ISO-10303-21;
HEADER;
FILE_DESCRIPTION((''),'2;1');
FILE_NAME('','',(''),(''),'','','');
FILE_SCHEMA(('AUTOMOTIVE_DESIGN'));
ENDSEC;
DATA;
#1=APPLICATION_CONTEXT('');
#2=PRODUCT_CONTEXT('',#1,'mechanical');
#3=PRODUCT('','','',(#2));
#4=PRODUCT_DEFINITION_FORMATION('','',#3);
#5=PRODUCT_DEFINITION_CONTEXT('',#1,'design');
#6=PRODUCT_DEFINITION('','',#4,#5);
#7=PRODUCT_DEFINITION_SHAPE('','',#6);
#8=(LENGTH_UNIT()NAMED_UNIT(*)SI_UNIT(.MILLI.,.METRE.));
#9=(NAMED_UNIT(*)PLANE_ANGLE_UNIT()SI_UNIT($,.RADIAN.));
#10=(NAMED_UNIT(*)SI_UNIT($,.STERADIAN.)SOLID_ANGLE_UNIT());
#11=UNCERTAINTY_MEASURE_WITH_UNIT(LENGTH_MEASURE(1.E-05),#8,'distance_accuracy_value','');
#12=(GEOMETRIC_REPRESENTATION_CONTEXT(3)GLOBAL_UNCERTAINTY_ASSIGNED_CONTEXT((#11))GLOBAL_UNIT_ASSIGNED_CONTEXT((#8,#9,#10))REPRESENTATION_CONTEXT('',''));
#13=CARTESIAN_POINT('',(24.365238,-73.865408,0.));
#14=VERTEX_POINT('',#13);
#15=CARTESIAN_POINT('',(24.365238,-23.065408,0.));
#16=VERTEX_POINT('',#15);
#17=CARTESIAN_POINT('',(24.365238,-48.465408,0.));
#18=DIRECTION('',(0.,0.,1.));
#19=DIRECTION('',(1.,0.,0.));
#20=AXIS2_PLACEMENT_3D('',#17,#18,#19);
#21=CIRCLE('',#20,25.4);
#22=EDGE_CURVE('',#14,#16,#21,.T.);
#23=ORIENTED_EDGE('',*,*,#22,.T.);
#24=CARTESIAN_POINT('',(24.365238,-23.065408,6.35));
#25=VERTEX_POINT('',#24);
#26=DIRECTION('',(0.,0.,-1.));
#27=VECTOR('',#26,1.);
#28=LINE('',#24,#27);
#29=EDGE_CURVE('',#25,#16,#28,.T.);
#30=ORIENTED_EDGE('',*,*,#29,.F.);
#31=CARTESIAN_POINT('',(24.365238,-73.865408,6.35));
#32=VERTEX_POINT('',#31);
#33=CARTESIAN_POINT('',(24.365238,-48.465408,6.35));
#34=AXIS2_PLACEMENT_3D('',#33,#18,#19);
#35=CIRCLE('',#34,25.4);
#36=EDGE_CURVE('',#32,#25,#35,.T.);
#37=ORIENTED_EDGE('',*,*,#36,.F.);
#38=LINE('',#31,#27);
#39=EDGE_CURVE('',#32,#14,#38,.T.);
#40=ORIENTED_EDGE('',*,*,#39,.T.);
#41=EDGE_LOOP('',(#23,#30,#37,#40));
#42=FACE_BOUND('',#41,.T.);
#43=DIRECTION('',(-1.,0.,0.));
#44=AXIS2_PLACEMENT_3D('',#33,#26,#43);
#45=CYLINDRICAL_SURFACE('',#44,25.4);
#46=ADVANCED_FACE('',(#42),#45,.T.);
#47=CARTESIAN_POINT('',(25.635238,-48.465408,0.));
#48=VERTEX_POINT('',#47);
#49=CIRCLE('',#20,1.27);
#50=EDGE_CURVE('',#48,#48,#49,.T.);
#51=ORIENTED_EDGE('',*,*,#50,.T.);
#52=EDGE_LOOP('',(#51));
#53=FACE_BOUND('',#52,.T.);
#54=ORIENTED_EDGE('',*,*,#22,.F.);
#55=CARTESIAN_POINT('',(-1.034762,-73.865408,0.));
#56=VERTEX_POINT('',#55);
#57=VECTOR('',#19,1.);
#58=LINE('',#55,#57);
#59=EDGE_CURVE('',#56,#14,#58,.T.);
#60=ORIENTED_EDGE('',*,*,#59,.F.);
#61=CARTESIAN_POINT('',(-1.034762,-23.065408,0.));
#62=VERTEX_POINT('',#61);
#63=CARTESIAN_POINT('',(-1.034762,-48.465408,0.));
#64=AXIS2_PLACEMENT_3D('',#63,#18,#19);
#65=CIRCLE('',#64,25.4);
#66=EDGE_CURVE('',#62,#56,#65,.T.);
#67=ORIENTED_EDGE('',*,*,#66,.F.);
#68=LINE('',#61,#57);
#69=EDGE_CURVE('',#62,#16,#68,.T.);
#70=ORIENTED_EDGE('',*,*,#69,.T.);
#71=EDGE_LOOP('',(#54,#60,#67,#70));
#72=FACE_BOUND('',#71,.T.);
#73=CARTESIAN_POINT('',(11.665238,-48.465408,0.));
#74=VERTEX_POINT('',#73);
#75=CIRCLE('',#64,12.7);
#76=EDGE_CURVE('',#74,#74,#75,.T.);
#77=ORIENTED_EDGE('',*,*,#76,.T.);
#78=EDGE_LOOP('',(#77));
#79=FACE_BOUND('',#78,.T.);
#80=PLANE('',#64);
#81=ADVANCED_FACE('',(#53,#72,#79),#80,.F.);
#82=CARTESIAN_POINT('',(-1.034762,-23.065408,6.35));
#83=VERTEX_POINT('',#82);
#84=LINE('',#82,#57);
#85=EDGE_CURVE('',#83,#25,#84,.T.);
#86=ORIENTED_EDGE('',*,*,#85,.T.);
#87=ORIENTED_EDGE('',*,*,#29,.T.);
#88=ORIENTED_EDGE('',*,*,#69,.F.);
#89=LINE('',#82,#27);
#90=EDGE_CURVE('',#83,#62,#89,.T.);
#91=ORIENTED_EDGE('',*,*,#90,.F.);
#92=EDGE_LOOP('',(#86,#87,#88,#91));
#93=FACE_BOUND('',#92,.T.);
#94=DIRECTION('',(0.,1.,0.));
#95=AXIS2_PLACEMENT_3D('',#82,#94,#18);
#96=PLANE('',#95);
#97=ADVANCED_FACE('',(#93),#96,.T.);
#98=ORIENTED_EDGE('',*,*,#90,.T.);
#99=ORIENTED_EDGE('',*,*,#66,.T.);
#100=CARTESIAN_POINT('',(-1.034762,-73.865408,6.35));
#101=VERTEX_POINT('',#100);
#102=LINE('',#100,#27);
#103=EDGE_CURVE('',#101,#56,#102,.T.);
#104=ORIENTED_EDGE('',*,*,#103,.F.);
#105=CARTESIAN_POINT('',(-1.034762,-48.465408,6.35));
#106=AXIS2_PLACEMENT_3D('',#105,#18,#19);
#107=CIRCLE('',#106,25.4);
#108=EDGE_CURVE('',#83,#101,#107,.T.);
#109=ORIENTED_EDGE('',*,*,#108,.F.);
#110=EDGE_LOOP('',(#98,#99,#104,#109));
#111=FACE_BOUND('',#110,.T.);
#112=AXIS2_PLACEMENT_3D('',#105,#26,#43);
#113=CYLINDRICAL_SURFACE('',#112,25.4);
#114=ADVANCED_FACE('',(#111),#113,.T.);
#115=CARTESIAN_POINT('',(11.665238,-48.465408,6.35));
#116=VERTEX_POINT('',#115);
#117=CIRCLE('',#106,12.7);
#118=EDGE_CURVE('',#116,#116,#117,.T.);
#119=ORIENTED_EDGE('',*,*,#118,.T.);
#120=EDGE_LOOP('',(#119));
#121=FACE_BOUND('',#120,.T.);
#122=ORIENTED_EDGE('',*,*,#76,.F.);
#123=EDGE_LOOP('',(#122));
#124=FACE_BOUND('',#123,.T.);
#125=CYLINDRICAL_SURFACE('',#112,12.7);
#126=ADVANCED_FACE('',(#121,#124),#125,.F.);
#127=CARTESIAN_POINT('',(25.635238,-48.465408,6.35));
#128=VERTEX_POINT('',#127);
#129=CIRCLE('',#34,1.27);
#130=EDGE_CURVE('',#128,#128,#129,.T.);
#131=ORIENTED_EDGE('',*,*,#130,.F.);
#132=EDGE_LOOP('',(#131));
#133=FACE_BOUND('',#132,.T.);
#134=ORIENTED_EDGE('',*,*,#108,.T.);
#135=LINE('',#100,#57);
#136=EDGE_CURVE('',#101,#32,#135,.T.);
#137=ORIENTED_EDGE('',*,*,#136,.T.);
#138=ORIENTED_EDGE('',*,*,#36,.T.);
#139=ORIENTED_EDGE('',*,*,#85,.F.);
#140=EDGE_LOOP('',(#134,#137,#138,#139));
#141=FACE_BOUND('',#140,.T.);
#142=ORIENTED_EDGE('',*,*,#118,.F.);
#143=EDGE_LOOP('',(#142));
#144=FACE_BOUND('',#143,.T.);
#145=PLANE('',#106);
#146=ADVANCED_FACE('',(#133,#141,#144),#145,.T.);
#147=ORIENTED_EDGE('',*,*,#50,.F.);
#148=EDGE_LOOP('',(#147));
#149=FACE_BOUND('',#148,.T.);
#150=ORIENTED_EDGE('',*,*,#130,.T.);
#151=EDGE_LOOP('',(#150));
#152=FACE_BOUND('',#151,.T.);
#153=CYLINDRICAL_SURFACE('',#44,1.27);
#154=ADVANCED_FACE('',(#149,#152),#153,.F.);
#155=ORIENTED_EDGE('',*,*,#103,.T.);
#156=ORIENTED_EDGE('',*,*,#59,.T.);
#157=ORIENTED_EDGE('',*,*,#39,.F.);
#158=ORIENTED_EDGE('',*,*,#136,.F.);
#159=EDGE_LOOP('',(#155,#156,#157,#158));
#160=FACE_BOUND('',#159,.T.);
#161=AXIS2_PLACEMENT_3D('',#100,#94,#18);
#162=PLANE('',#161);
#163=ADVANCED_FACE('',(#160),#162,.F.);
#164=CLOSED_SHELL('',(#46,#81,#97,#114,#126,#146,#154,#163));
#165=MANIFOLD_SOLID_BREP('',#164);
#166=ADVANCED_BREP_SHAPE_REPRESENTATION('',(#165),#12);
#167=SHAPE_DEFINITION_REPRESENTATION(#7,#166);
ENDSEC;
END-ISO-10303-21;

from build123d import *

# Parameters (mm, degrees)
BOSS_EXTRUDE1_DEPTH = 6.35
SKETCH3_6_R         = 12.7
CUT_EXTRUDE1_DEPTH  = 6.35
SKETCH3_9_R         = 1.27
CUT_EXTRUDE5_DEPTH  = 6.35


with BuildPart() as part:
    # Sketch3 → Boss-Extrude1 (new body)
    with BuildSketch(Plane.XY):
        with BuildLine():
            Line((-1.03476248, -23.06540758), (24.36523752, -23.06540758))
            ThreePointArc((24.36523752, -23.06540758), (49.76523752, -48.46540758), (24.36523752, -73.86540758))
            Line((24.36523752, -73.86540758), (-1.03476248, -73.86540758))
            ThreePointArc((-1.03476248, -73.86540758), (-26.43476248, -48.46540758), (-1.03476248, -23.06540758))
        make_face()
    extrude(amount=BOSS_EXTRUDE1_DEPTH)

    # Sketch3<6> → Cut-Extrude1 (cut)
    with BuildSketch(Plane.XY):
        with Locations((-1.03476248, -48.46540758)):
            Circle(SKETCH3_6_R)
    extrude(amount=CUT_EXTRUDE1_DEPTH, mode=Mode.SUBTRACT)

    # Sketch3<9> → Cut-Extrude5 (cut)
    with BuildSketch(Plane.XY):
        with Locations((24.36523752, -48.46540758)):
            Circle(SKETCH3_9_R)
    extrude(amount=CUT_EXTRUDE5_DEPTH, mode=Mode.SUBTRACT)


solid = part.part
